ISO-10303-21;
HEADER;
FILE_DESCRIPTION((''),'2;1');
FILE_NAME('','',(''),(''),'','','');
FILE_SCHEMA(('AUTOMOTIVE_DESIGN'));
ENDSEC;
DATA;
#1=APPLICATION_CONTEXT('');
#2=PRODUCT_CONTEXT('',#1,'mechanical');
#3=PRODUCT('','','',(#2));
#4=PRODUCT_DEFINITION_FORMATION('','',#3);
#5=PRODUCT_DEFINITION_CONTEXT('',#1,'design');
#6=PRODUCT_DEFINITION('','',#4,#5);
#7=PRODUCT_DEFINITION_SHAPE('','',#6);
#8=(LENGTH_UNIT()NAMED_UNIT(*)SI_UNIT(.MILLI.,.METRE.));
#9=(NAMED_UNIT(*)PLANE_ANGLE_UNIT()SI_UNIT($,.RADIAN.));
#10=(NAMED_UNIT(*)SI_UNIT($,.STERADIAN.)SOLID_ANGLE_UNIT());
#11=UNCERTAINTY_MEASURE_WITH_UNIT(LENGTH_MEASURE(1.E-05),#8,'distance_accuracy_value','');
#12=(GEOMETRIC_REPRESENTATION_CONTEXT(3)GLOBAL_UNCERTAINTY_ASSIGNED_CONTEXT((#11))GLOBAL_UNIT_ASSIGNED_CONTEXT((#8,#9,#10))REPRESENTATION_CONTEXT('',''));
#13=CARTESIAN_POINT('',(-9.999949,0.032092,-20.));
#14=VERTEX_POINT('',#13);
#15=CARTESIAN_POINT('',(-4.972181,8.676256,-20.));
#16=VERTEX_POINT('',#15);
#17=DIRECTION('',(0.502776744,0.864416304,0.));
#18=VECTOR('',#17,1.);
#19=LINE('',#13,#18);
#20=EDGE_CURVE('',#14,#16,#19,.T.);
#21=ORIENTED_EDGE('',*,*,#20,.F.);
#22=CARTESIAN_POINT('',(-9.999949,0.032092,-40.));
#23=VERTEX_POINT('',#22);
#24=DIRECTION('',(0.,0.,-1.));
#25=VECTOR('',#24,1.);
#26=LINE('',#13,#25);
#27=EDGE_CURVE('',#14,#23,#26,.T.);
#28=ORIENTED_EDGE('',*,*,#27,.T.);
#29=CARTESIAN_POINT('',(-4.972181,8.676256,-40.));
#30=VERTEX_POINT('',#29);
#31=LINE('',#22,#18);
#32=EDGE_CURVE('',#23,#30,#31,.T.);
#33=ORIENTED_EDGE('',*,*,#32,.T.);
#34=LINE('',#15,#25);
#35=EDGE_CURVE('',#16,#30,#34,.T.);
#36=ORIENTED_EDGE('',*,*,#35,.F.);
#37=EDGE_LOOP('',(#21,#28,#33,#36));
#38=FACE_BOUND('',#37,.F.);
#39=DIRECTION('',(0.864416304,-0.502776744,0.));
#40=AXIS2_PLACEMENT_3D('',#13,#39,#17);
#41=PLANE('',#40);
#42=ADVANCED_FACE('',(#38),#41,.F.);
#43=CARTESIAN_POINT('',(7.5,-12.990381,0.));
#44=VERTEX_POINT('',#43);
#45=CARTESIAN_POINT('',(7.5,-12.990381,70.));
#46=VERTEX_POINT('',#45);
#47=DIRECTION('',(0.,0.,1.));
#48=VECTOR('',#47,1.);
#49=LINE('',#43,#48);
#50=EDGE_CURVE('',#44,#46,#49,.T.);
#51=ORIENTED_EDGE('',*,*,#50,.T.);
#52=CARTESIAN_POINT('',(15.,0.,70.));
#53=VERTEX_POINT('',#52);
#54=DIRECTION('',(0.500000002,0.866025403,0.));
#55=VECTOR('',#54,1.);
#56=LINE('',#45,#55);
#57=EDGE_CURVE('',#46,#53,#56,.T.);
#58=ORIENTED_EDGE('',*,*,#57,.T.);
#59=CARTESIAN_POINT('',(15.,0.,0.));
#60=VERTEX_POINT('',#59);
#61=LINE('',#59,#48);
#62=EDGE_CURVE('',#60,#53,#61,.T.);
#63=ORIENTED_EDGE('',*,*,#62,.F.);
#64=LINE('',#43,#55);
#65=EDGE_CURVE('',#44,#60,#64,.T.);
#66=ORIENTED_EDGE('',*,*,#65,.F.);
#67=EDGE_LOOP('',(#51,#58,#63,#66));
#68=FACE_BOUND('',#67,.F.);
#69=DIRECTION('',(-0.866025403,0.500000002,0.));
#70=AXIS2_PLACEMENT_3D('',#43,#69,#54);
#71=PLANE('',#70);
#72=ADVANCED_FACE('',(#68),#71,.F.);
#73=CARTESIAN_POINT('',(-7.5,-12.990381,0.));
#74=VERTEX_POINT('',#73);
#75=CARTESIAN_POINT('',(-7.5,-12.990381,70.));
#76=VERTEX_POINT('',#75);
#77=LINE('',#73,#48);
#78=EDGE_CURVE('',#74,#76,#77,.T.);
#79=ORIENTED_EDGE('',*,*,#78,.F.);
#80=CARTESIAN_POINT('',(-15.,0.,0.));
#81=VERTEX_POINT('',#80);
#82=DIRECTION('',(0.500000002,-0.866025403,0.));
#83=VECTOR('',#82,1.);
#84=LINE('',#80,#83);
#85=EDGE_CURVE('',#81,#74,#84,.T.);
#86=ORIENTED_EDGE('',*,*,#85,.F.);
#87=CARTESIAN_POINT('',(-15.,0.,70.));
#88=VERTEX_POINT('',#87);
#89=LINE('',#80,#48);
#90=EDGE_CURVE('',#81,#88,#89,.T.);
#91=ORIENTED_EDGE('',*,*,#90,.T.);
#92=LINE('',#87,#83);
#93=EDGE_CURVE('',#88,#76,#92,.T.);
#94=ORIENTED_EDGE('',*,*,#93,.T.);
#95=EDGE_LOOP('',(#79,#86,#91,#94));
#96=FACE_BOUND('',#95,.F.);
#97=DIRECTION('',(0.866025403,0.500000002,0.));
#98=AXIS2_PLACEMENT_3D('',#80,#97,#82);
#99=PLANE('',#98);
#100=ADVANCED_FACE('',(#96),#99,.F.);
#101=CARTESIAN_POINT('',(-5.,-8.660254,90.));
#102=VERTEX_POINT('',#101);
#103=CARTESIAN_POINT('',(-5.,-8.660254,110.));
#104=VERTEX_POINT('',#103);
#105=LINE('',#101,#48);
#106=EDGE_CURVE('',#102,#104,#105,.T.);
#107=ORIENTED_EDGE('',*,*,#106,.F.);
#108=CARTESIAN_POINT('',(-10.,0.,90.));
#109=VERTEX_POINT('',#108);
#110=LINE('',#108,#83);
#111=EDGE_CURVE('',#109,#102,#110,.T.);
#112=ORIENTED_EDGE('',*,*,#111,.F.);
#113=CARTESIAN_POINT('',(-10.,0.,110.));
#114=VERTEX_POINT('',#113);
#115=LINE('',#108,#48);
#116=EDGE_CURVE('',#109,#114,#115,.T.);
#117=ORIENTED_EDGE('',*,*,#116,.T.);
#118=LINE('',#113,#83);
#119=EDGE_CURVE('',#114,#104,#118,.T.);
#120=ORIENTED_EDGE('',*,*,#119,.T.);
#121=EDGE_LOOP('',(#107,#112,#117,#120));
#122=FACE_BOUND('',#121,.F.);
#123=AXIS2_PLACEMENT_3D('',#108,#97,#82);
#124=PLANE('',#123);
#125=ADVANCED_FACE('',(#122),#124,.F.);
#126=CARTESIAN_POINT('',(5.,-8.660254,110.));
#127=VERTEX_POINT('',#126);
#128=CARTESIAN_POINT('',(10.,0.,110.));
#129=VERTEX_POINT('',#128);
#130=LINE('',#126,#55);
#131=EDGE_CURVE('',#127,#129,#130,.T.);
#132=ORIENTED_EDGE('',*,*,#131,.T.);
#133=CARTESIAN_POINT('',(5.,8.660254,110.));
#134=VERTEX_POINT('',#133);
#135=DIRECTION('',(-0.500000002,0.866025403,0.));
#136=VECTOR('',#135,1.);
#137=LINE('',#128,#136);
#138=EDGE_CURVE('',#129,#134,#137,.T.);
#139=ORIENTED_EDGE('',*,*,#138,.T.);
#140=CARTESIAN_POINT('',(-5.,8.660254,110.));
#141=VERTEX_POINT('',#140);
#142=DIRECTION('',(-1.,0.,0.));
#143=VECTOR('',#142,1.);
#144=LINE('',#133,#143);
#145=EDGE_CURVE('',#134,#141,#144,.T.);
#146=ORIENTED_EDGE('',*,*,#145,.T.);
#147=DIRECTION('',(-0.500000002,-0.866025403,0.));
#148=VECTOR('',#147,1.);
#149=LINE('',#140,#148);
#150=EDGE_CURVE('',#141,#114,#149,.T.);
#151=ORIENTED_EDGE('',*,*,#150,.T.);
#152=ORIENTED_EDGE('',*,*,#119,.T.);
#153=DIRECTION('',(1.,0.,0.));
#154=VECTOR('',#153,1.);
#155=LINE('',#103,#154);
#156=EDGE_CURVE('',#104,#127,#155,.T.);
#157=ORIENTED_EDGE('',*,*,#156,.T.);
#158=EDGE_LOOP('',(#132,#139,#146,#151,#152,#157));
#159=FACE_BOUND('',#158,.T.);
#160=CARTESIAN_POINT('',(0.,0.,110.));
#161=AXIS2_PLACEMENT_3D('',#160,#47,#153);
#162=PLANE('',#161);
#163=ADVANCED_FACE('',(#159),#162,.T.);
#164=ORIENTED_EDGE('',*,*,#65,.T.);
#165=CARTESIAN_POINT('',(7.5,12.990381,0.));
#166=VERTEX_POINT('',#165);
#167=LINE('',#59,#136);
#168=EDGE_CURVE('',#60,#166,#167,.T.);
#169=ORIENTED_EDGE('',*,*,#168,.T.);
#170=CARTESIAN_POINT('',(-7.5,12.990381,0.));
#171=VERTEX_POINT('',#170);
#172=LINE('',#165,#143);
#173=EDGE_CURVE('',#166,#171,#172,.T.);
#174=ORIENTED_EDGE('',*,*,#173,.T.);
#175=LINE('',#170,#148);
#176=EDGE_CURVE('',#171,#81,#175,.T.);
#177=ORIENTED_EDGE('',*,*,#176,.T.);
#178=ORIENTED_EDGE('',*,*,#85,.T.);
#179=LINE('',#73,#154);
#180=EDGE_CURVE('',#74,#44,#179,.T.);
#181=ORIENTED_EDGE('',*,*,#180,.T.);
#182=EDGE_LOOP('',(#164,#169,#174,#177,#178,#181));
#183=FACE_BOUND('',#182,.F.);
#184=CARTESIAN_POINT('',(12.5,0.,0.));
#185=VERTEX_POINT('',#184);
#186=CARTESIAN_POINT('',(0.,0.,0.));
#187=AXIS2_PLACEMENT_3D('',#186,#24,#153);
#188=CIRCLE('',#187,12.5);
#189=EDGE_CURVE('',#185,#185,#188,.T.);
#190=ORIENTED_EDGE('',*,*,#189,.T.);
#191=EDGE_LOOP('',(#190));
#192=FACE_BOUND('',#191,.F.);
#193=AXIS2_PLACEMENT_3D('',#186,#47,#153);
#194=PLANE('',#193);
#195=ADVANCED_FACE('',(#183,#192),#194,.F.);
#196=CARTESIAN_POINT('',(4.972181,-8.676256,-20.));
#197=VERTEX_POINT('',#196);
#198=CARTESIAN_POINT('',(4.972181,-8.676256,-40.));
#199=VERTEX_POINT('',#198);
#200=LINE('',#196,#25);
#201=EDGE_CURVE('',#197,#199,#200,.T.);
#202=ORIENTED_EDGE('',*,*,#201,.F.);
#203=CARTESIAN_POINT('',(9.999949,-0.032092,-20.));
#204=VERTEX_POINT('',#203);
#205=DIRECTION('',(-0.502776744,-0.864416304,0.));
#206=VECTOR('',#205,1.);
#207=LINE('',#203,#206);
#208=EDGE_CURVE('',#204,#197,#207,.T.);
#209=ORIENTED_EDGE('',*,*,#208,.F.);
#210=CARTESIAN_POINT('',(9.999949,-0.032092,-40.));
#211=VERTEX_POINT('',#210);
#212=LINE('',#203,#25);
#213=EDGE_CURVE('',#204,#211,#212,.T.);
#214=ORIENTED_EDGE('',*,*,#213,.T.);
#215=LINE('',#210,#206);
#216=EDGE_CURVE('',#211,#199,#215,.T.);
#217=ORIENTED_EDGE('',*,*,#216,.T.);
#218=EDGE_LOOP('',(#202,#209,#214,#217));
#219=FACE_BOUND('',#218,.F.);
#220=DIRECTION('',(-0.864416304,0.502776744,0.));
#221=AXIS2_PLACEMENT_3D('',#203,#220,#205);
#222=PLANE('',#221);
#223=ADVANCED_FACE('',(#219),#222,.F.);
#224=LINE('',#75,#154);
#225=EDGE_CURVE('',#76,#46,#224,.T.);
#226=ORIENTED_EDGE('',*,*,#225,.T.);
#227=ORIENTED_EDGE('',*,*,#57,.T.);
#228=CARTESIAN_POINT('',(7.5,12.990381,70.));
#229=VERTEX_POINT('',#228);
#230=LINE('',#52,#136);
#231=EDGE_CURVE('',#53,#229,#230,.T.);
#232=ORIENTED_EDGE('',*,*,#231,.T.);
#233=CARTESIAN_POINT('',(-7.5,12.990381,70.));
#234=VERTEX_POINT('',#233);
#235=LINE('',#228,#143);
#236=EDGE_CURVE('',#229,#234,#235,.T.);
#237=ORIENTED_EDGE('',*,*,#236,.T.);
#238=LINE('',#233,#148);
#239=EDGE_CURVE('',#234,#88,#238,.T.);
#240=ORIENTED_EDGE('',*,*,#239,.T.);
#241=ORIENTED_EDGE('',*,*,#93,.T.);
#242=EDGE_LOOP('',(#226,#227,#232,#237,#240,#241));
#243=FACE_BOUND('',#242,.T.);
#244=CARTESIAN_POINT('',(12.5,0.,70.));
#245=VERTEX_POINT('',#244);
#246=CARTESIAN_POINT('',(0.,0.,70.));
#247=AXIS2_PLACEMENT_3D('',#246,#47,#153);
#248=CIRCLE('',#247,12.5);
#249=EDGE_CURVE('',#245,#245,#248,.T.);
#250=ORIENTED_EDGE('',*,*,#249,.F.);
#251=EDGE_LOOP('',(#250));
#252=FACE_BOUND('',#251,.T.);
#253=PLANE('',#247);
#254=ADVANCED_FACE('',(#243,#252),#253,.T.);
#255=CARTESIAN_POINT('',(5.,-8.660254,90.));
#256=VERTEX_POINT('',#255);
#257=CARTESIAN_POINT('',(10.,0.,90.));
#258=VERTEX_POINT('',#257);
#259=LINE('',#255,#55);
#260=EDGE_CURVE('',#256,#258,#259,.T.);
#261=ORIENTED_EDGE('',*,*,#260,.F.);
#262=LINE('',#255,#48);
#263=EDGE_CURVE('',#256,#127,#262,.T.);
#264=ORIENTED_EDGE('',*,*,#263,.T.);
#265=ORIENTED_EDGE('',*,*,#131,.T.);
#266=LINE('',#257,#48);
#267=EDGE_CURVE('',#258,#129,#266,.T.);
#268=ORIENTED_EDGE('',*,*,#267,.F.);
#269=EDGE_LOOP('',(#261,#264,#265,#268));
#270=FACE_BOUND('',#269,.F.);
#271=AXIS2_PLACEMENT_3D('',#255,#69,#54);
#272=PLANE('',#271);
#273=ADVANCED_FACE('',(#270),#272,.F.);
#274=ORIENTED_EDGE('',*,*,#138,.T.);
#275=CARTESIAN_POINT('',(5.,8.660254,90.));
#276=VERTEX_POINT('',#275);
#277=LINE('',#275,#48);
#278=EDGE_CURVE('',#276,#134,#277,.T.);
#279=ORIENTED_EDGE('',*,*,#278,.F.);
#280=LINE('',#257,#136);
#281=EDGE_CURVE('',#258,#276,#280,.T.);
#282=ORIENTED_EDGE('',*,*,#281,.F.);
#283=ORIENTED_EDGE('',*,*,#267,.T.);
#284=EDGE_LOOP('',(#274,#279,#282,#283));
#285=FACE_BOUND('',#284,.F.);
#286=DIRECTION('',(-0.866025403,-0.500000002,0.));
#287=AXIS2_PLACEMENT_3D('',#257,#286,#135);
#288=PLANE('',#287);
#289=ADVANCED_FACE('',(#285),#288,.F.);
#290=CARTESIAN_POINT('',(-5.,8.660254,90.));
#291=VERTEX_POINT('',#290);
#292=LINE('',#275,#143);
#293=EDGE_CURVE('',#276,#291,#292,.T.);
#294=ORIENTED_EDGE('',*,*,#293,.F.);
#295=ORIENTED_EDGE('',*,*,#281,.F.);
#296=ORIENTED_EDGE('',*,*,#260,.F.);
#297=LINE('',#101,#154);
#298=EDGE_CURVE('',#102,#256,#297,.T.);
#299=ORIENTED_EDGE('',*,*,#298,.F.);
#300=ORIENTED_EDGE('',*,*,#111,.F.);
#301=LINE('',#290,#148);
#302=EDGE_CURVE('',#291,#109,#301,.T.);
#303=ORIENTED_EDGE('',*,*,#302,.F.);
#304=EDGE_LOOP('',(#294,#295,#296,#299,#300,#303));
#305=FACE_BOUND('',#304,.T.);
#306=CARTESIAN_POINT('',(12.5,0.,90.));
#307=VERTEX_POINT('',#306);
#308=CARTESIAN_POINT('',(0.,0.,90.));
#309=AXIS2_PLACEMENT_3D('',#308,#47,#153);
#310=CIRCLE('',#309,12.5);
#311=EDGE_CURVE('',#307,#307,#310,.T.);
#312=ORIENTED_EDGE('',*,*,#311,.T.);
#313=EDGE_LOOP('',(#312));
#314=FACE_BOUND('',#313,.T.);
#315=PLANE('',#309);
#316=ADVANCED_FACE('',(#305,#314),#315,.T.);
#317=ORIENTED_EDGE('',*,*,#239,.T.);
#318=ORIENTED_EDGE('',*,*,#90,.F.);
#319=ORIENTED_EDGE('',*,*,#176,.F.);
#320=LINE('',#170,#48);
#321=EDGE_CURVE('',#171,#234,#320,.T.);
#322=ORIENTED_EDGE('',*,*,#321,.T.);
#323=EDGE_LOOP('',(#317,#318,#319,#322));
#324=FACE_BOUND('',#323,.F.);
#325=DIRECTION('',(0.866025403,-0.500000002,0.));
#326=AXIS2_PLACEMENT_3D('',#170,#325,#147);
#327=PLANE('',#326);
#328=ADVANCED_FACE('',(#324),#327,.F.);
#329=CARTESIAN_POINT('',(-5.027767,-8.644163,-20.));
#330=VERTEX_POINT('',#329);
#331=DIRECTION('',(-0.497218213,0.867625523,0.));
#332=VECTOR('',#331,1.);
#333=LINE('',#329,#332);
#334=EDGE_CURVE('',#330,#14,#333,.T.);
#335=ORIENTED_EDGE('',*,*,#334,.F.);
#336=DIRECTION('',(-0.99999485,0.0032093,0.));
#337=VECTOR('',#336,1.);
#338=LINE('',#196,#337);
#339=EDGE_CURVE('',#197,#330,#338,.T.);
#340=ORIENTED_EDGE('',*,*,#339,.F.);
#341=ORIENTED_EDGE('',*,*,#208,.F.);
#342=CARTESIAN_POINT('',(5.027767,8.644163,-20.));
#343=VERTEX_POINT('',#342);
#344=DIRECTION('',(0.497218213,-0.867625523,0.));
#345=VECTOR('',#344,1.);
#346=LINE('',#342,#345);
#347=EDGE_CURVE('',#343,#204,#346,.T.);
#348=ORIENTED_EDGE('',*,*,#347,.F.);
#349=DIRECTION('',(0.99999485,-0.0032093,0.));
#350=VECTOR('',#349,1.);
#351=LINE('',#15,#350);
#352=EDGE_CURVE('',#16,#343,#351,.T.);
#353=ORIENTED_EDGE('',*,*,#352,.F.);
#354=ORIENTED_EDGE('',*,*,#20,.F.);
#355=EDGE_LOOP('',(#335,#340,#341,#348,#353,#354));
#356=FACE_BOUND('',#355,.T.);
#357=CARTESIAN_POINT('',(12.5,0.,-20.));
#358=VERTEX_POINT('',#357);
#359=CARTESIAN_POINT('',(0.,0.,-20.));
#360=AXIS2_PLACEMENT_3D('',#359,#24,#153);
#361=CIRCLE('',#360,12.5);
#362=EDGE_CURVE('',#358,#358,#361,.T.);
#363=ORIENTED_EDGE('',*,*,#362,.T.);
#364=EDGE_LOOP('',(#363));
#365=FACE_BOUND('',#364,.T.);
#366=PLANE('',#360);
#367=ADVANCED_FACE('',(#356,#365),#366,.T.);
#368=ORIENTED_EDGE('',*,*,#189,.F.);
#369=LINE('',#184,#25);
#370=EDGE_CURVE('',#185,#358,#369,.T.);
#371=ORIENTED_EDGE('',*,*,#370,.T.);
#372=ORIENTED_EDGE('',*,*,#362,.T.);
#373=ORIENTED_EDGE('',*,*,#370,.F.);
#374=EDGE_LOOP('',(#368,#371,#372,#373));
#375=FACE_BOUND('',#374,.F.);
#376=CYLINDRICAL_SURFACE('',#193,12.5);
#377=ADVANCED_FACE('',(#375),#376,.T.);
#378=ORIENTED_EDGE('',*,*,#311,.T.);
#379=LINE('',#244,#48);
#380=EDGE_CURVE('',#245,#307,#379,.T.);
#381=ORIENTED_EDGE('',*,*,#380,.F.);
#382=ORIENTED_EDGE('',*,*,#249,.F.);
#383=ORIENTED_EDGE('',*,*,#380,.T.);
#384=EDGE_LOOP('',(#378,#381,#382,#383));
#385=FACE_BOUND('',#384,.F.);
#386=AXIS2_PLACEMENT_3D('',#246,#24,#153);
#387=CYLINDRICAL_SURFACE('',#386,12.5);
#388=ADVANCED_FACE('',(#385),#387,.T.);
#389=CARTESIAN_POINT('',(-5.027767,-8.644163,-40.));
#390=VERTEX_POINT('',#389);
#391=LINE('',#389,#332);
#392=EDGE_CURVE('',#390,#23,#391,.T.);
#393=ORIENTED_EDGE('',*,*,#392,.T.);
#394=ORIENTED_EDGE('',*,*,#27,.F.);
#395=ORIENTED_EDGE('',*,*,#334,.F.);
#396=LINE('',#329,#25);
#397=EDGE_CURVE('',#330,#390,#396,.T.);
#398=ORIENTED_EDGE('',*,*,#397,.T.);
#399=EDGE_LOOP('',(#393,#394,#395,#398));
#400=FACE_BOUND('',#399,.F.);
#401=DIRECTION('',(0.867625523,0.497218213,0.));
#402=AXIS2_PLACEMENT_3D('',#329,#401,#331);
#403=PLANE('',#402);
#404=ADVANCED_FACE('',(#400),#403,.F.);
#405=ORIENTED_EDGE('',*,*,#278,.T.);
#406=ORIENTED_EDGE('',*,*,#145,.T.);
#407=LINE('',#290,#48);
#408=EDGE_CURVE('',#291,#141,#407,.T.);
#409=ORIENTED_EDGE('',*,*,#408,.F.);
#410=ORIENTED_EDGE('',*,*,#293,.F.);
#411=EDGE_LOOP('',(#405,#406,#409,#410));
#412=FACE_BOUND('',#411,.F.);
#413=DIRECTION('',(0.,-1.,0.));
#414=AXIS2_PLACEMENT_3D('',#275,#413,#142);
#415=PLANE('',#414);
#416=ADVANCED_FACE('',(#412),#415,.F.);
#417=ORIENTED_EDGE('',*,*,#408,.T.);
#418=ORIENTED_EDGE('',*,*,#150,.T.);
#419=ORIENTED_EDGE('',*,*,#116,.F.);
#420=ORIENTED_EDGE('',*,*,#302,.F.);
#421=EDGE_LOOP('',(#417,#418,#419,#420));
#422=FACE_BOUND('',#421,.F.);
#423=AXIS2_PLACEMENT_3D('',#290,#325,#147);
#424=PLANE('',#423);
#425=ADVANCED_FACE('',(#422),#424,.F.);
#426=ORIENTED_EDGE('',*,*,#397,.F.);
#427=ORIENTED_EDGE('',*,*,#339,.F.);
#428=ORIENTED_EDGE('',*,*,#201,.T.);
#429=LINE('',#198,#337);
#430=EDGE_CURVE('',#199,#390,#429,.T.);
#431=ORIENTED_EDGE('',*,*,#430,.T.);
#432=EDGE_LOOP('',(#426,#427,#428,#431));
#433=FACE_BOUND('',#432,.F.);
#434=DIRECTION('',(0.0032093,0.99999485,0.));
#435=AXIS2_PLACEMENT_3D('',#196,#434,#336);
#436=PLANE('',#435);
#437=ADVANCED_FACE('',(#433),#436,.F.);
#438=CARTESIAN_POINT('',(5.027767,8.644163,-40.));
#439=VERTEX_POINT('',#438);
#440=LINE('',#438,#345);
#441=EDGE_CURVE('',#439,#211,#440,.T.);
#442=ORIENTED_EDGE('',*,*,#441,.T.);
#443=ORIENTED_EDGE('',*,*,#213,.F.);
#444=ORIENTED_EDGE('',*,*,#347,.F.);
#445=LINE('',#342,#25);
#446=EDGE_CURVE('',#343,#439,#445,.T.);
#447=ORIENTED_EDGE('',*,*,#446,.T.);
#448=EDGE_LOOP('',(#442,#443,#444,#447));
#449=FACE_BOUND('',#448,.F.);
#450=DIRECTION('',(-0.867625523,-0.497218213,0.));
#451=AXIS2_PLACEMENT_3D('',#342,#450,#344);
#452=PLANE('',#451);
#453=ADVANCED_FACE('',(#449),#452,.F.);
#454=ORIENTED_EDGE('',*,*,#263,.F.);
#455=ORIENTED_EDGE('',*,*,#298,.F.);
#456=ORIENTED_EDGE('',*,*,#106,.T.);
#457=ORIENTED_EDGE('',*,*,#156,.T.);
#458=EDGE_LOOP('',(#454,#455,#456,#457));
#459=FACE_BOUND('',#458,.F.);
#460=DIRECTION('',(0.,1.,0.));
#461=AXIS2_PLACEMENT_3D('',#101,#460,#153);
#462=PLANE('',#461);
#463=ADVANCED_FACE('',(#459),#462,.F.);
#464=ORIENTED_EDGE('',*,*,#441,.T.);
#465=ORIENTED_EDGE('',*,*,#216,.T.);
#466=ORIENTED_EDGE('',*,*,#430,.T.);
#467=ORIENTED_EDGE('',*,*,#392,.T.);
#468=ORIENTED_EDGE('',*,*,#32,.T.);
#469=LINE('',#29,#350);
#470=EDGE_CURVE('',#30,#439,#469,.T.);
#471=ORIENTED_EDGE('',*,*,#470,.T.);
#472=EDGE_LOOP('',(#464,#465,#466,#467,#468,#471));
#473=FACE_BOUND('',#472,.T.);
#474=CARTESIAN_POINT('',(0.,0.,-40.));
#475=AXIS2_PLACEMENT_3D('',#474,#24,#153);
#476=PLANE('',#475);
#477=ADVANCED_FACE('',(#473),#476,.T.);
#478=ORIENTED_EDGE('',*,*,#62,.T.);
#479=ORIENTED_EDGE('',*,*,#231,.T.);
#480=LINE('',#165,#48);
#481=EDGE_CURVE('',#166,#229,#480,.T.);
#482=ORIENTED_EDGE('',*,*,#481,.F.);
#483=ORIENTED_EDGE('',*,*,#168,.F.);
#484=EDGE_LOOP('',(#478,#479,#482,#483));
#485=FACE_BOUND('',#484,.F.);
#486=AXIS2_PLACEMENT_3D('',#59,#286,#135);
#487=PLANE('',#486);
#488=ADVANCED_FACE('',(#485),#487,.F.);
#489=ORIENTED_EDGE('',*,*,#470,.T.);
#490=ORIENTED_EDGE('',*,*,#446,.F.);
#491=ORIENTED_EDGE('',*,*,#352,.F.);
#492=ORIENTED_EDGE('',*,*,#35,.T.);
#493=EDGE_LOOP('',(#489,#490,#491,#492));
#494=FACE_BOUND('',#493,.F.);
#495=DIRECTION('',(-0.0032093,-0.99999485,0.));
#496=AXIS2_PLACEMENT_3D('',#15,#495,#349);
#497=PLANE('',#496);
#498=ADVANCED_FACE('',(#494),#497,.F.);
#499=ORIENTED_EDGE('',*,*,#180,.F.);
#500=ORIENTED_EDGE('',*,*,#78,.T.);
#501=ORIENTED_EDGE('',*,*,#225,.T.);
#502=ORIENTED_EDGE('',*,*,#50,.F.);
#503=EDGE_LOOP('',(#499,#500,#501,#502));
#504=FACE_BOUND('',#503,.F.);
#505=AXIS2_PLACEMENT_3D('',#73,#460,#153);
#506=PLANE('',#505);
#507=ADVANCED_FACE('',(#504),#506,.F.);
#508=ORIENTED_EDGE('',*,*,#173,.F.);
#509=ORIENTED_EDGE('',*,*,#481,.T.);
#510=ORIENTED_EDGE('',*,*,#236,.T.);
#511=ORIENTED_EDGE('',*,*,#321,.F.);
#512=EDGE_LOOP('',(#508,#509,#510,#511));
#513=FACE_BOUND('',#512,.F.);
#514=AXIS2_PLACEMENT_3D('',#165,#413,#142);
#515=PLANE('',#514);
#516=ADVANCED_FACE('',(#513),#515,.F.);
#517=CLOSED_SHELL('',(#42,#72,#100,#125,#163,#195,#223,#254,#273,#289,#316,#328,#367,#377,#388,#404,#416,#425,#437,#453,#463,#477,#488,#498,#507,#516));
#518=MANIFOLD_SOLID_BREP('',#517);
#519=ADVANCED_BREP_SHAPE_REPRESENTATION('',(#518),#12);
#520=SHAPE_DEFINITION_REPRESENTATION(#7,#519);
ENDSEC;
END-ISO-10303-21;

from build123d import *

# Parameters (mm, degrees)
F1_DEPTH = 70
F2_R     = 12.5
F3_DEPTH = 20
F4_R     = 12.5
F5_DEPTH = 20
F7_DEPTH = 20
F9_DEPTH = 20


with BuildPart() as f1:
    # F0 (on Top) → F1 (new body)
    with BuildSketch(Plane.XY):
        Polygon((-7.5, 12.990381), (-15, 0), (-7.5, -12.990381), (7.5, -12.990381), (15, 0), (7.5, 12.990381), align=None)
    extrude(amount=F1_DEPTH)

    # F2 (on face) → F3 (join)
    with BuildSketch(Plane.XY.offset(70)):
        Circle(F2_R)
    extrude(amount=F3_DEPTH)

    # F4 (on face) → F5 (join)
    with BuildSketch(Plane(origin=(0, 0, 0), x_dir=(1, 0, 0), z_dir=(0, 0, -1))):
        Circle(F4_R)
    extrude(amount=F5_DEPTH)

    # F6 (on face) → F7 (join)
    with BuildSketch(Plane.XY.offset(90)):
        Polygon((5, 8.660254), (-5, 8.660254), (-10, 0), (-5, -8.660254), (5, -8.660254), (10, 0), align=None)
    extrude(amount=F7_DEPTH)

    # F8 (on face) → F9 (join)
    with BuildSketch(Plane(origin=(0, 0, -20), x_dir=(1, 0, 0), z_dir=(0, 0, -1))):
        Polygon((9.999949, 0.032092), (4.972181, 8.676256), (-5.027767, 8.644163), (-9.999949, -0.032092), (-4.972181, -8.676256), (5.027767, -8.644163), align=None)
    extrude(amount=F9_DEPTH)


solid = f1.part
